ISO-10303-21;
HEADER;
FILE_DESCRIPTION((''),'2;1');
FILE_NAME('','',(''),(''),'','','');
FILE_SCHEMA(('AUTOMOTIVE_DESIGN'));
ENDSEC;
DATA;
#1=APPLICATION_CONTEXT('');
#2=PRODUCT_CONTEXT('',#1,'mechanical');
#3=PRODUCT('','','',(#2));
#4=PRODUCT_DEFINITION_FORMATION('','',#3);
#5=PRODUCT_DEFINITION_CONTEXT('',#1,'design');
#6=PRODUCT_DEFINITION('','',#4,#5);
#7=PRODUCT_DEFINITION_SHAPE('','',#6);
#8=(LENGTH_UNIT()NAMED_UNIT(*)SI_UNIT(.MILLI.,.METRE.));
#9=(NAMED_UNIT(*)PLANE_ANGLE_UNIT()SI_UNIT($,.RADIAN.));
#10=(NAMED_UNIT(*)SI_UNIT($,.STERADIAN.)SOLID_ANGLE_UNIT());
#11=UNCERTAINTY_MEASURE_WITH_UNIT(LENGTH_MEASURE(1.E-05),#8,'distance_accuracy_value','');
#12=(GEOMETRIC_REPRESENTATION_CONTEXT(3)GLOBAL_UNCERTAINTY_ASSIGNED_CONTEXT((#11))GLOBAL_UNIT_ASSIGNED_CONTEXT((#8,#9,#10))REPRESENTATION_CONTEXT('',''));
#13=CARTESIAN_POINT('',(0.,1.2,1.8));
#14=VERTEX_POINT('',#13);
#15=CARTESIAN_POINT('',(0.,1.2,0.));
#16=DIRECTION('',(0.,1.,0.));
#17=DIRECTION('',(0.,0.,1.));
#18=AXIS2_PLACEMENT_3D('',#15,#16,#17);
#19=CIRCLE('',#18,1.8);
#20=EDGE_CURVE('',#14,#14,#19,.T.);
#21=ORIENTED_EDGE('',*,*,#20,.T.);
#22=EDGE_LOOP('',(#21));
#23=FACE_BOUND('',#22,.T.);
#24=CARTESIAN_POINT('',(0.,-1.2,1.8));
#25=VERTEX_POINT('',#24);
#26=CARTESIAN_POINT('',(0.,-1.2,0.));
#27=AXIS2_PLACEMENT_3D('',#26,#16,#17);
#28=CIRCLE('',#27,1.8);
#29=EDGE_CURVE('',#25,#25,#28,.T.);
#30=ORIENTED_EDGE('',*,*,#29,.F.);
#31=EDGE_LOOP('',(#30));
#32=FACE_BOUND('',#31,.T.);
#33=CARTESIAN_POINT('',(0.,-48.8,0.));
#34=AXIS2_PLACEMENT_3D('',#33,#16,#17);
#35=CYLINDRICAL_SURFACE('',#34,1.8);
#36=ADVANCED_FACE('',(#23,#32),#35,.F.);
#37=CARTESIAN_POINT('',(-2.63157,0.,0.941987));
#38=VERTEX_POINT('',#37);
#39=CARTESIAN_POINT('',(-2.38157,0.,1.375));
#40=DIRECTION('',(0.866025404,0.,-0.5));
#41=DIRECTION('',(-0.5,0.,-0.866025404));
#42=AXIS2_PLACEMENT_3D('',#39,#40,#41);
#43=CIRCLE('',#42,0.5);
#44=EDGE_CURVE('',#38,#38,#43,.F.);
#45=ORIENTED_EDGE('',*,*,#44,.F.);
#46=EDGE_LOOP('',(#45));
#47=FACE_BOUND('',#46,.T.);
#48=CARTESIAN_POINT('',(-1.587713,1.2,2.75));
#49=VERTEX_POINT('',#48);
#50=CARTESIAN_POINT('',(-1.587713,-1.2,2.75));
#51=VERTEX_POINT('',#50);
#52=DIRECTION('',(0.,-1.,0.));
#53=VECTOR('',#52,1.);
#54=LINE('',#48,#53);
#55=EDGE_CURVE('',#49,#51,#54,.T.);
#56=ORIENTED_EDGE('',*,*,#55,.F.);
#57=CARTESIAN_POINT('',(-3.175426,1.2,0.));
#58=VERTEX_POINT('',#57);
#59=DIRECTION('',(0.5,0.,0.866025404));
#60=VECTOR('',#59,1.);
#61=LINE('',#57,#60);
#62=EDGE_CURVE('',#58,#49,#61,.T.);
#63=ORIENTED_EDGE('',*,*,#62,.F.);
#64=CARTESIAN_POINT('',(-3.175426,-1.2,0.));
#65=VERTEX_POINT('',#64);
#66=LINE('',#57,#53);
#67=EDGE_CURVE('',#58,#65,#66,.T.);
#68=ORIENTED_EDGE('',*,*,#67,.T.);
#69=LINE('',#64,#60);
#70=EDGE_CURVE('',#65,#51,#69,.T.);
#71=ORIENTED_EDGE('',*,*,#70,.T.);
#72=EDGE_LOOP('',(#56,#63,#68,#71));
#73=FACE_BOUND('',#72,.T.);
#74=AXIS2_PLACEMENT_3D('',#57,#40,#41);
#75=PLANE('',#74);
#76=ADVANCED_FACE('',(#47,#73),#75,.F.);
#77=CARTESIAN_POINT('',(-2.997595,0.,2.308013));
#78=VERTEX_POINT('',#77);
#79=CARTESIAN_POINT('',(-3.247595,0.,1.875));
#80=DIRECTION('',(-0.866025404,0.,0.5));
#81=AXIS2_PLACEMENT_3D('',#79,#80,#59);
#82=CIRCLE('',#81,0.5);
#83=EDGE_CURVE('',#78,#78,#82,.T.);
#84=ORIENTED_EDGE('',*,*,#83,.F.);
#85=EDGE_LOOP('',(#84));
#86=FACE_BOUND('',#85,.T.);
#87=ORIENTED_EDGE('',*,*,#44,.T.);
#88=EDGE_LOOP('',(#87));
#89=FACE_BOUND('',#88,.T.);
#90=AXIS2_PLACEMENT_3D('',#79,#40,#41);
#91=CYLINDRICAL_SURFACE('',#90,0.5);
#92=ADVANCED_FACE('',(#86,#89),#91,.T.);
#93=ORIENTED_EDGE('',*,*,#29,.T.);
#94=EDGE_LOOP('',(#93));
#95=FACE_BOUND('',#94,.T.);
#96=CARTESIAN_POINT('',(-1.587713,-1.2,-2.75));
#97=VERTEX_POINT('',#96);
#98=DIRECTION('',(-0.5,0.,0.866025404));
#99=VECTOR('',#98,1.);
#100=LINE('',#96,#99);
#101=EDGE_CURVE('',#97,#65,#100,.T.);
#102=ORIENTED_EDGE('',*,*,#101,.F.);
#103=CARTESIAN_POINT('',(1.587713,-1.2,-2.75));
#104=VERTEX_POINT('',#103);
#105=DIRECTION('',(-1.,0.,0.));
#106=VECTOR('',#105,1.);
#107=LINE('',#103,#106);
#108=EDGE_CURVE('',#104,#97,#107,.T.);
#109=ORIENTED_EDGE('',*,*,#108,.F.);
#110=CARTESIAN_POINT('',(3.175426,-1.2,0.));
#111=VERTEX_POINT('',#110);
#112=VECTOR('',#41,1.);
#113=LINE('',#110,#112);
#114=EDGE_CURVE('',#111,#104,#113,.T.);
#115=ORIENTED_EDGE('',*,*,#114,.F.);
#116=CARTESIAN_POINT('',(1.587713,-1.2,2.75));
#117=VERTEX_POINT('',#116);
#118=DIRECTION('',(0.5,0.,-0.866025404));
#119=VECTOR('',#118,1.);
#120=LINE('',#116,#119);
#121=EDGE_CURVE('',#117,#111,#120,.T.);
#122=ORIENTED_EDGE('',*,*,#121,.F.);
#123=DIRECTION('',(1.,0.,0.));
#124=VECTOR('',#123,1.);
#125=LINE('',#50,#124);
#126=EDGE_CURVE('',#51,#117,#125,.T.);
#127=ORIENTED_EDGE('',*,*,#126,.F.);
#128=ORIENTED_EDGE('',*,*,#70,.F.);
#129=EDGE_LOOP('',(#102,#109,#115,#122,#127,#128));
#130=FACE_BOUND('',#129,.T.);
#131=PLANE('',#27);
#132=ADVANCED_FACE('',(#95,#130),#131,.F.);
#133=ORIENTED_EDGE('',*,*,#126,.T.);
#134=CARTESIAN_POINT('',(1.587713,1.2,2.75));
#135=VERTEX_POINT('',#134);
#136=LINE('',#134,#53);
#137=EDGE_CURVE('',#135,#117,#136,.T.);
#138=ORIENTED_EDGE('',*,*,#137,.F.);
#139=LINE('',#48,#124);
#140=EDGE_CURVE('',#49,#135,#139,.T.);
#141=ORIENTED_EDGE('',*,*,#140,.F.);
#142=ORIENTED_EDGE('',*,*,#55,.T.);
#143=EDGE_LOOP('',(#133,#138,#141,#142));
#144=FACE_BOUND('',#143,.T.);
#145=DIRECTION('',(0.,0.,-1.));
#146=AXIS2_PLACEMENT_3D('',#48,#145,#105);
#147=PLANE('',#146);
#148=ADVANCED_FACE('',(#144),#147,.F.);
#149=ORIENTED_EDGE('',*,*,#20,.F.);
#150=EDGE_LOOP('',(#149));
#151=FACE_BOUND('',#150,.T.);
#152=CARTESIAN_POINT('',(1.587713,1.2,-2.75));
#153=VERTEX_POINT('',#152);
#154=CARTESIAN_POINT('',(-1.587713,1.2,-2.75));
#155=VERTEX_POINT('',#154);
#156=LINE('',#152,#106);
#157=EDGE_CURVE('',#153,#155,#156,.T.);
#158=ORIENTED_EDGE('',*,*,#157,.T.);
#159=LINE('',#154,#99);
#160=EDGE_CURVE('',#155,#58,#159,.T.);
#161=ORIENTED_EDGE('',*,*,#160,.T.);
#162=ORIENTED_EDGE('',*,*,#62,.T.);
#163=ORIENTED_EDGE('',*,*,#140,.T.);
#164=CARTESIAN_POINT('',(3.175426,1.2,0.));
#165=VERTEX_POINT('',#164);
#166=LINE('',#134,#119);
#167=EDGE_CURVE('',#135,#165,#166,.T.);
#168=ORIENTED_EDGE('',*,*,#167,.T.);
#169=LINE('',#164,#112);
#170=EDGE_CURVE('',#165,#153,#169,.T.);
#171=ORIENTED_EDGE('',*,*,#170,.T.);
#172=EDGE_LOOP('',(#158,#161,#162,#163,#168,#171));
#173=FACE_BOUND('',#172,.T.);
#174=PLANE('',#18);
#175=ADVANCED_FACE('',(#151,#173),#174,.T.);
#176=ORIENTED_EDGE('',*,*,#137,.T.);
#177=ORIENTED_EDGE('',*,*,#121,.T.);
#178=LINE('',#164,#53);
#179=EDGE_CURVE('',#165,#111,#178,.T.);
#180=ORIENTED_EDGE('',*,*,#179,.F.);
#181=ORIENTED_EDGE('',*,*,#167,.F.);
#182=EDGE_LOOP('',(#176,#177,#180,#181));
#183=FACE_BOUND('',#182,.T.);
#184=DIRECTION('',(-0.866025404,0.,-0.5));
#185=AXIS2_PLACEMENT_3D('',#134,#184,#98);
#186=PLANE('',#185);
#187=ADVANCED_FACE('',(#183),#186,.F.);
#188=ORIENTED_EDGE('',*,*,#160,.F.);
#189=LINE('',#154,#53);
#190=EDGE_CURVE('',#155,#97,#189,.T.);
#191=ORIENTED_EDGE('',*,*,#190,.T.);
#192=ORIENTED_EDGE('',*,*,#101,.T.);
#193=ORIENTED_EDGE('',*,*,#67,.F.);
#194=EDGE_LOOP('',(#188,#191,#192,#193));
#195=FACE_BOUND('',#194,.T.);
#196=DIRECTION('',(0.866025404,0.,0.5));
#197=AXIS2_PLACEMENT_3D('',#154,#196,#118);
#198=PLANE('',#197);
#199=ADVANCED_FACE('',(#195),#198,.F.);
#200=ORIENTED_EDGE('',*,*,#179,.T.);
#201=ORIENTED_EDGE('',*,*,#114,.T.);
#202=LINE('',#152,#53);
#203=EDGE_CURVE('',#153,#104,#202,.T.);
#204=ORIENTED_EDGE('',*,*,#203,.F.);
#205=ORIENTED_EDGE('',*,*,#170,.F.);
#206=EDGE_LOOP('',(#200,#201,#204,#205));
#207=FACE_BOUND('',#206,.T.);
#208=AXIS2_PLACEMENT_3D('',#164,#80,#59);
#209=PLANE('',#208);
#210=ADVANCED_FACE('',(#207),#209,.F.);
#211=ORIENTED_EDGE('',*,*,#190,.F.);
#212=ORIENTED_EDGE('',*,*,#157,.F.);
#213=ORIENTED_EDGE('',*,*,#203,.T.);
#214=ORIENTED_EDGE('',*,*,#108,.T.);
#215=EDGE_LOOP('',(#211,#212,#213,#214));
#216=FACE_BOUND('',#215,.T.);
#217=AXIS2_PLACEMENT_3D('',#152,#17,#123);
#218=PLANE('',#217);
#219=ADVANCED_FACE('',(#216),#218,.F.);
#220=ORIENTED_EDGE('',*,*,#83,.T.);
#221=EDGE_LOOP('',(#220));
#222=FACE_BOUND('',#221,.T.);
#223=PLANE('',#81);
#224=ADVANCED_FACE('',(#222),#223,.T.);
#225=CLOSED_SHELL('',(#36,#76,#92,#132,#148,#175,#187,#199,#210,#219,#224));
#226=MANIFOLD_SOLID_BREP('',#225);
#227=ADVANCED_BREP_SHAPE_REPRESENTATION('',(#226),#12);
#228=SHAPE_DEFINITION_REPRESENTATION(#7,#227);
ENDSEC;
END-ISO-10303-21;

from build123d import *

# Parameters (mm, degrees)
ESTRUSIONE_ESTRUSIONE3_DEPTH = 1.2
SCHIZZO3_R                   = 1.8
TAGLIO_ESTRUSIONE1_DEPTH     = 50
SCHIZZO4_R                   = 0.5
ESTRUSIONE_ESTRUSIONE4_DEPTH = 1


with BuildPart() as part:
    # Schizzo2 → Estrusione-Estrusione3 (new body, symmetric)
    with BuildSketch(Plane(origin=(0, 0, 0), x_dir=(1, 0, 0), z_dir=(0, 1, 0))):
        Polygon((3.175426481, 0), (1.58771324, 2.75), (-1.58771324, 2.75), (-3.175426481, 0), (-1.58771324, -2.75), (1.58771324, -2.75), align=None)
    extrude(amount=ESTRUSIONE_ESTRUSIONE3_DEPTH, both=True)

    # Schizzo3 → Taglio-Estrusione1 (cut, symmetric)
    with BuildSketch(Plane(origin=(0, 1.2, 0), x_dir=(1, 0, 0), z_dir=(0, 1, 0))):
        Circle(SCHIZZO3_R)
    extrude(amount=TAGLIO_ESTRUSIONE1_DEPTH, both=True, mode=Mode.SUBTRACT)

    # Schizzo4 → Estrusione-Estrusione4 (add)
    with BuildSketch(Plane(origin=(-2.38156986, 0, 1.375), x_dir=(0.5, 0, 0.866025404), z_dir=(-0.866025404, 0, 0.5))):
        Circle(SCHIZZO4_R)
    extrude(amount=ESTRUSIONE_ESTRUSIONE4_DEPTH)


solid = part.part
